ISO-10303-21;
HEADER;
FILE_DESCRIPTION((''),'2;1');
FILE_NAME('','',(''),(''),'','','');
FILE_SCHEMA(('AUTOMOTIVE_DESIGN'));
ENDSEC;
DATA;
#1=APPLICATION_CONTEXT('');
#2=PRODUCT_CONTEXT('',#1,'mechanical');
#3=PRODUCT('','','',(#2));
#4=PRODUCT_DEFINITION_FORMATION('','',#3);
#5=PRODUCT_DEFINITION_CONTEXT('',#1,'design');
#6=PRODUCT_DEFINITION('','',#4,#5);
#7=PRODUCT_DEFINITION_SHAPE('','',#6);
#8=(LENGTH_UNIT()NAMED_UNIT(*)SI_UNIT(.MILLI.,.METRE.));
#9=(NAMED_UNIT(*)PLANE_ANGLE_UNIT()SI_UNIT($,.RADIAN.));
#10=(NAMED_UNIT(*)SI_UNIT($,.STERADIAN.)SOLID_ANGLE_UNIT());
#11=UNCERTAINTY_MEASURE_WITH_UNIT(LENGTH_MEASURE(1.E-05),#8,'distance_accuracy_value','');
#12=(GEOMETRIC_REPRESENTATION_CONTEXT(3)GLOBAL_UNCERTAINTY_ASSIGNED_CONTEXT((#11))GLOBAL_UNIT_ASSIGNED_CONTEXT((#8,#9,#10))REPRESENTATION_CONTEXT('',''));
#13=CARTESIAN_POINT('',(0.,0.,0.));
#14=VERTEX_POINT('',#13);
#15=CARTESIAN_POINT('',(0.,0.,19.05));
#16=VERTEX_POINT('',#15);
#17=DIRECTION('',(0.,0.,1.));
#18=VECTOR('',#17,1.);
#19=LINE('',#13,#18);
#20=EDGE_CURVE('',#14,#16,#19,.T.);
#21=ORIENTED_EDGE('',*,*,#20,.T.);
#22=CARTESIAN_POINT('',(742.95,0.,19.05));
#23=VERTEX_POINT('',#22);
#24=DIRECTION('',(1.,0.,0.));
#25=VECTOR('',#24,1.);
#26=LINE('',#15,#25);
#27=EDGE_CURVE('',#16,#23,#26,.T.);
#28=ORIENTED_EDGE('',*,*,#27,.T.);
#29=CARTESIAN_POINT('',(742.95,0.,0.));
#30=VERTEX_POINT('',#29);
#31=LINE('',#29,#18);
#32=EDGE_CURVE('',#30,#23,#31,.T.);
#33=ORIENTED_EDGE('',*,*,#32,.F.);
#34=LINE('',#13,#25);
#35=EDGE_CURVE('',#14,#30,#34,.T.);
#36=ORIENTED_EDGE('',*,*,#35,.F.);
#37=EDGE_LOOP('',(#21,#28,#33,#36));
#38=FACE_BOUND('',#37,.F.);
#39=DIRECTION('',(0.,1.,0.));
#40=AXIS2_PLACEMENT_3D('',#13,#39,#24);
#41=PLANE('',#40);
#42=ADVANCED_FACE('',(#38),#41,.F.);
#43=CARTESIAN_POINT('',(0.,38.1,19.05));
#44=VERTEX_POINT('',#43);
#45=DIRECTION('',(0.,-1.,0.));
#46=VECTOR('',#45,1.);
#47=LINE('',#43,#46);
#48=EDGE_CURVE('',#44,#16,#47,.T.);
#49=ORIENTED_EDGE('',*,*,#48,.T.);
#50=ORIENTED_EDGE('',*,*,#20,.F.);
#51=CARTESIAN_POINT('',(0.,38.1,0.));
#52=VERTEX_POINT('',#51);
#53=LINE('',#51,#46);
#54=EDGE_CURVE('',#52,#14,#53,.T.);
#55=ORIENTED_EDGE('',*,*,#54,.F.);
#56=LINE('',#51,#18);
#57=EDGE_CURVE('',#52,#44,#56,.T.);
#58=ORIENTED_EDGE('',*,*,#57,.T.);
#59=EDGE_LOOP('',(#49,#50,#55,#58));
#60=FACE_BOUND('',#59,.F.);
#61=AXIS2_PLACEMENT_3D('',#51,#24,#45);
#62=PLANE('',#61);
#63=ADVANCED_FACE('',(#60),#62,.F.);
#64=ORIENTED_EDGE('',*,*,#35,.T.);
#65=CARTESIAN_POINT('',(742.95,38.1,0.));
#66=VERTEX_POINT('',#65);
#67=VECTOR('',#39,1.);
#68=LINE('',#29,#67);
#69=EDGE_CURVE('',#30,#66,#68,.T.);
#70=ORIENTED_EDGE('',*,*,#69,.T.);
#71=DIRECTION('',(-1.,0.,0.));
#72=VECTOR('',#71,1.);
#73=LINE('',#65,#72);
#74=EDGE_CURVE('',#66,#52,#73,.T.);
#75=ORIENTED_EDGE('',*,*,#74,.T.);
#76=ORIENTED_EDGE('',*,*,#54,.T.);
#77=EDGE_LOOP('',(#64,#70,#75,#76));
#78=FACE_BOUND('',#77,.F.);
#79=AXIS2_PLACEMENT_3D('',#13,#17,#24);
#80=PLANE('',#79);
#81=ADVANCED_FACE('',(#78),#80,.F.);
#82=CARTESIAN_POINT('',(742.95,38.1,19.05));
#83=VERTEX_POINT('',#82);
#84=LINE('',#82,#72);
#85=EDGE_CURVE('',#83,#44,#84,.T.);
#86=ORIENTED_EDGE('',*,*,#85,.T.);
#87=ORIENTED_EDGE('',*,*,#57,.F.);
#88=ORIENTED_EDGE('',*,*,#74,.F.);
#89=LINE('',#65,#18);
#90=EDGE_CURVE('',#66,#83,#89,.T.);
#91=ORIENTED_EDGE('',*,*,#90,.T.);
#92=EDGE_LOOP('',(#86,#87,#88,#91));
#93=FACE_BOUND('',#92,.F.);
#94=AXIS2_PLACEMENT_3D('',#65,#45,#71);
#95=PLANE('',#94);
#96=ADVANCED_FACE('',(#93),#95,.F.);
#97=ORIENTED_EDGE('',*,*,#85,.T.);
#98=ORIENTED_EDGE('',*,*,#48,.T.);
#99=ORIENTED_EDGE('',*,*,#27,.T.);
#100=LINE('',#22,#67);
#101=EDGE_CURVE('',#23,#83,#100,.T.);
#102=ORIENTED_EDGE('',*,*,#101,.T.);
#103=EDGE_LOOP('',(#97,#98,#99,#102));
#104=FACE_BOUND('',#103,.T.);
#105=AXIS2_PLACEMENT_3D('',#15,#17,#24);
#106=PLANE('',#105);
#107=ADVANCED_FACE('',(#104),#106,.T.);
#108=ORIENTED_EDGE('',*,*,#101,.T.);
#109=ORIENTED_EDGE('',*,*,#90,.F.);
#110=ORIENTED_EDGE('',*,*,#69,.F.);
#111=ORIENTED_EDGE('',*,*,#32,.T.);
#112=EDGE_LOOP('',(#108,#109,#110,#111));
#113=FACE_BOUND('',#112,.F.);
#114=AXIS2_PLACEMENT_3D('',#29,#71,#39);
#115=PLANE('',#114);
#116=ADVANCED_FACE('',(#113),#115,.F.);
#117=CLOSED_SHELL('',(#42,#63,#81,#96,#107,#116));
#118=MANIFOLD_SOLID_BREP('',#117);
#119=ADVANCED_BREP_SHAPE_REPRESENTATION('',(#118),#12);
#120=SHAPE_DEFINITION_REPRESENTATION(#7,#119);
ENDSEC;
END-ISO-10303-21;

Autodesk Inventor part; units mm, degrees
ref_plane "YZ Plane" through (0, 0, 0) normal (1, 0, 0) x (0, 1, 0)
ref_plane "XZ Plane" through (0, 0, 0) normal (0, 1, 0) x (-1, 0, 0)
ref_plane "XY Plane" through (0, 0, 0) normal (0, 0, 1) x (1, 0, 0)
sketch "Sketch1" plane through (0, 0, 0) normal (0, 0, 1) x (1, 0, 0)
  line L0 (0, 0) -> (742.95, 0)
  line L1 (742.95, 0) -> (742.95, 38.1)
  line L2 (742.95, 38.1) -> (0, 38.1)
  line L3 (0, 38.1) -> (0, 0)
  dimension "d0" = 742.95
  dimension "d1" = 38.1
extrude "Board" add sketch "Sketch1" along normal blind 19.05
properties part number "Cabinet Support Frame Horizontal Bar"
